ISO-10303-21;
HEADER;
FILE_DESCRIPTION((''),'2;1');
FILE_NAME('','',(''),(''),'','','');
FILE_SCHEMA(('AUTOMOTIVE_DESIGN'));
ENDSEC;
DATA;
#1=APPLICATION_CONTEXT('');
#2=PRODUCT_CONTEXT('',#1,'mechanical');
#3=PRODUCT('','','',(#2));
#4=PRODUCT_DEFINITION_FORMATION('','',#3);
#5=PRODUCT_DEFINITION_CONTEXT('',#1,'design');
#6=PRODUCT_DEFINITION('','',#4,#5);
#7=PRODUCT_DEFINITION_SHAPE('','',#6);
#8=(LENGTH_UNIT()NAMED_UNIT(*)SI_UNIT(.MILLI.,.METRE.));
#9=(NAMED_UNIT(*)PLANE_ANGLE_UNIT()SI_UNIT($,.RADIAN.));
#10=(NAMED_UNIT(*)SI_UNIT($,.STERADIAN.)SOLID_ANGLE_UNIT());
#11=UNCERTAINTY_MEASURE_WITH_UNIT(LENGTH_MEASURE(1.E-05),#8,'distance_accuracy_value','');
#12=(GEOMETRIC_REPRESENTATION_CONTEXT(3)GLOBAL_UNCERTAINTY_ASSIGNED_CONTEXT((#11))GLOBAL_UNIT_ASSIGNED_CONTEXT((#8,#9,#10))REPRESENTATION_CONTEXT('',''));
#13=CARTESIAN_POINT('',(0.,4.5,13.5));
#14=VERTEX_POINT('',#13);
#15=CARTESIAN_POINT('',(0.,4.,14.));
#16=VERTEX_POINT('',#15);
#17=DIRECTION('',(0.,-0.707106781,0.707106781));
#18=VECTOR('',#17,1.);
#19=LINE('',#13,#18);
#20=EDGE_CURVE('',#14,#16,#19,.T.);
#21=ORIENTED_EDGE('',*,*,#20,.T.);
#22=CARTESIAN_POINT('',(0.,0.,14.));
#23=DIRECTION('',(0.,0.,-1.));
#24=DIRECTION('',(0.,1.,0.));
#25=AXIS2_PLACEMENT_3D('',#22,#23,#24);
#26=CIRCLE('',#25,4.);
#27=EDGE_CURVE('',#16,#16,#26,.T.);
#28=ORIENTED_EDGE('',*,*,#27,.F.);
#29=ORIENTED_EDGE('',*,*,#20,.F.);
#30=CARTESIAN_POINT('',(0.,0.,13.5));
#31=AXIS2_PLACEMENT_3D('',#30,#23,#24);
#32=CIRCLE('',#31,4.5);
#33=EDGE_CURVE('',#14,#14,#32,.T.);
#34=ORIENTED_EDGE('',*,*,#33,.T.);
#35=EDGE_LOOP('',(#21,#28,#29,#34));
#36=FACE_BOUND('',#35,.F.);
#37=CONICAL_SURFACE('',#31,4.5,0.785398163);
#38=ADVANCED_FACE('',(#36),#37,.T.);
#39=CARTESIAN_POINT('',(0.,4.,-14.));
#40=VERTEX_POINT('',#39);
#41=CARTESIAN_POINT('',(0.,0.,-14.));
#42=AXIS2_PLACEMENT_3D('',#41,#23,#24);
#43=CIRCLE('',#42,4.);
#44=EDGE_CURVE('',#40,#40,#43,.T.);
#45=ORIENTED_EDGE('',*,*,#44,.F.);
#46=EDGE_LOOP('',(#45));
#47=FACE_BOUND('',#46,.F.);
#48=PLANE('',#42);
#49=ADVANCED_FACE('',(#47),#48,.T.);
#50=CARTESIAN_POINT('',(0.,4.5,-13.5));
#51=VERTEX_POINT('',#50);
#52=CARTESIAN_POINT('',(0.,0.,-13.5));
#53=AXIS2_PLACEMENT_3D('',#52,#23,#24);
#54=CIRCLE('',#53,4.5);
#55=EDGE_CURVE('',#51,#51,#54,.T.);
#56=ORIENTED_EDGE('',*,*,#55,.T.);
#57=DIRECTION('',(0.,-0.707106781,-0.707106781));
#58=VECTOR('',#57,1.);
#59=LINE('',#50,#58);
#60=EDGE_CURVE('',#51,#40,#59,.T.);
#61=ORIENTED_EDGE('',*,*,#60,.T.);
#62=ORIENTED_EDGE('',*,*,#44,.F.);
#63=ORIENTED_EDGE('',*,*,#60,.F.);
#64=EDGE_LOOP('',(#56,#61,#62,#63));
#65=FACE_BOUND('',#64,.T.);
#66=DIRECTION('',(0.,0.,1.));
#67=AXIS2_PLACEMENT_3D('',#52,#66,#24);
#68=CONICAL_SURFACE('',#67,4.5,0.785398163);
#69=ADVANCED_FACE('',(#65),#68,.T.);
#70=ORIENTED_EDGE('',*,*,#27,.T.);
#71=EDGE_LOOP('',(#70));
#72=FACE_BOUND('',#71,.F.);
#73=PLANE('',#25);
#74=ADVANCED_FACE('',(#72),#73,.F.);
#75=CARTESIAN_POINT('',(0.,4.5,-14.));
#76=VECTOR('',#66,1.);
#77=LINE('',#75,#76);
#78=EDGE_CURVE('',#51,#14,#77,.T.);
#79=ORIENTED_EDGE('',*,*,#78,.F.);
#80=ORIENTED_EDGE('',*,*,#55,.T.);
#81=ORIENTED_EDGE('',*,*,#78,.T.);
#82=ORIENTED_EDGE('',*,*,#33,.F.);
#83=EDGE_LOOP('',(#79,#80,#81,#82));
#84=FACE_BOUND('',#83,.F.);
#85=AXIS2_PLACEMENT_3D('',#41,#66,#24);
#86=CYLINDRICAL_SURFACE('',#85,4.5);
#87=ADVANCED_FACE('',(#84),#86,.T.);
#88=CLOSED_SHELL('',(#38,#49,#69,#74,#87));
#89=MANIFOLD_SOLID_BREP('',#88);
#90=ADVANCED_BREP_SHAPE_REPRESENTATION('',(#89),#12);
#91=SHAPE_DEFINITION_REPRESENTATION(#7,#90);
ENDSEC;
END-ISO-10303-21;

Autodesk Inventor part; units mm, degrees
ref_plane "YZ Plane" through (0, 0, 0) normal (1, 0, 0) x (0, 1, 0)
ref_plane "XZ Plane" through (0, 0, 0) normal (0, 1, 0) x (-1, 0, 0)
ref_plane "XY Plane" through (0, 0, 0) normal (0, 0, 1) x (1, 0, 0)
sketch "Sketch1" plane through (0, 0, 0) normal (1, 0, 0) x (0, 1, 0)
  line L0 (4.5, 14) -> (0, 14)
  line L1 (0, 14) -> (0, -14)
  line L2 (0, -14) -> (4.5, -14)
  line L3 (4.5, -14) -> (4.5, 14)
  point P0 (0, 0)
  point P1 (0, 0)
  dimension "d0" = 28
  dimension "d1" = 9
revolve "Revolution1" add sketch "Sketch1" angle 360 about axis through (0, 0, 14) along (0, 0, -1)
chamfer "Chamfer1" distance 0.5 angle 45 2 edges at (0, -4.5, 14) (0, -4.5, -14)
properties part number "Axle Big"
